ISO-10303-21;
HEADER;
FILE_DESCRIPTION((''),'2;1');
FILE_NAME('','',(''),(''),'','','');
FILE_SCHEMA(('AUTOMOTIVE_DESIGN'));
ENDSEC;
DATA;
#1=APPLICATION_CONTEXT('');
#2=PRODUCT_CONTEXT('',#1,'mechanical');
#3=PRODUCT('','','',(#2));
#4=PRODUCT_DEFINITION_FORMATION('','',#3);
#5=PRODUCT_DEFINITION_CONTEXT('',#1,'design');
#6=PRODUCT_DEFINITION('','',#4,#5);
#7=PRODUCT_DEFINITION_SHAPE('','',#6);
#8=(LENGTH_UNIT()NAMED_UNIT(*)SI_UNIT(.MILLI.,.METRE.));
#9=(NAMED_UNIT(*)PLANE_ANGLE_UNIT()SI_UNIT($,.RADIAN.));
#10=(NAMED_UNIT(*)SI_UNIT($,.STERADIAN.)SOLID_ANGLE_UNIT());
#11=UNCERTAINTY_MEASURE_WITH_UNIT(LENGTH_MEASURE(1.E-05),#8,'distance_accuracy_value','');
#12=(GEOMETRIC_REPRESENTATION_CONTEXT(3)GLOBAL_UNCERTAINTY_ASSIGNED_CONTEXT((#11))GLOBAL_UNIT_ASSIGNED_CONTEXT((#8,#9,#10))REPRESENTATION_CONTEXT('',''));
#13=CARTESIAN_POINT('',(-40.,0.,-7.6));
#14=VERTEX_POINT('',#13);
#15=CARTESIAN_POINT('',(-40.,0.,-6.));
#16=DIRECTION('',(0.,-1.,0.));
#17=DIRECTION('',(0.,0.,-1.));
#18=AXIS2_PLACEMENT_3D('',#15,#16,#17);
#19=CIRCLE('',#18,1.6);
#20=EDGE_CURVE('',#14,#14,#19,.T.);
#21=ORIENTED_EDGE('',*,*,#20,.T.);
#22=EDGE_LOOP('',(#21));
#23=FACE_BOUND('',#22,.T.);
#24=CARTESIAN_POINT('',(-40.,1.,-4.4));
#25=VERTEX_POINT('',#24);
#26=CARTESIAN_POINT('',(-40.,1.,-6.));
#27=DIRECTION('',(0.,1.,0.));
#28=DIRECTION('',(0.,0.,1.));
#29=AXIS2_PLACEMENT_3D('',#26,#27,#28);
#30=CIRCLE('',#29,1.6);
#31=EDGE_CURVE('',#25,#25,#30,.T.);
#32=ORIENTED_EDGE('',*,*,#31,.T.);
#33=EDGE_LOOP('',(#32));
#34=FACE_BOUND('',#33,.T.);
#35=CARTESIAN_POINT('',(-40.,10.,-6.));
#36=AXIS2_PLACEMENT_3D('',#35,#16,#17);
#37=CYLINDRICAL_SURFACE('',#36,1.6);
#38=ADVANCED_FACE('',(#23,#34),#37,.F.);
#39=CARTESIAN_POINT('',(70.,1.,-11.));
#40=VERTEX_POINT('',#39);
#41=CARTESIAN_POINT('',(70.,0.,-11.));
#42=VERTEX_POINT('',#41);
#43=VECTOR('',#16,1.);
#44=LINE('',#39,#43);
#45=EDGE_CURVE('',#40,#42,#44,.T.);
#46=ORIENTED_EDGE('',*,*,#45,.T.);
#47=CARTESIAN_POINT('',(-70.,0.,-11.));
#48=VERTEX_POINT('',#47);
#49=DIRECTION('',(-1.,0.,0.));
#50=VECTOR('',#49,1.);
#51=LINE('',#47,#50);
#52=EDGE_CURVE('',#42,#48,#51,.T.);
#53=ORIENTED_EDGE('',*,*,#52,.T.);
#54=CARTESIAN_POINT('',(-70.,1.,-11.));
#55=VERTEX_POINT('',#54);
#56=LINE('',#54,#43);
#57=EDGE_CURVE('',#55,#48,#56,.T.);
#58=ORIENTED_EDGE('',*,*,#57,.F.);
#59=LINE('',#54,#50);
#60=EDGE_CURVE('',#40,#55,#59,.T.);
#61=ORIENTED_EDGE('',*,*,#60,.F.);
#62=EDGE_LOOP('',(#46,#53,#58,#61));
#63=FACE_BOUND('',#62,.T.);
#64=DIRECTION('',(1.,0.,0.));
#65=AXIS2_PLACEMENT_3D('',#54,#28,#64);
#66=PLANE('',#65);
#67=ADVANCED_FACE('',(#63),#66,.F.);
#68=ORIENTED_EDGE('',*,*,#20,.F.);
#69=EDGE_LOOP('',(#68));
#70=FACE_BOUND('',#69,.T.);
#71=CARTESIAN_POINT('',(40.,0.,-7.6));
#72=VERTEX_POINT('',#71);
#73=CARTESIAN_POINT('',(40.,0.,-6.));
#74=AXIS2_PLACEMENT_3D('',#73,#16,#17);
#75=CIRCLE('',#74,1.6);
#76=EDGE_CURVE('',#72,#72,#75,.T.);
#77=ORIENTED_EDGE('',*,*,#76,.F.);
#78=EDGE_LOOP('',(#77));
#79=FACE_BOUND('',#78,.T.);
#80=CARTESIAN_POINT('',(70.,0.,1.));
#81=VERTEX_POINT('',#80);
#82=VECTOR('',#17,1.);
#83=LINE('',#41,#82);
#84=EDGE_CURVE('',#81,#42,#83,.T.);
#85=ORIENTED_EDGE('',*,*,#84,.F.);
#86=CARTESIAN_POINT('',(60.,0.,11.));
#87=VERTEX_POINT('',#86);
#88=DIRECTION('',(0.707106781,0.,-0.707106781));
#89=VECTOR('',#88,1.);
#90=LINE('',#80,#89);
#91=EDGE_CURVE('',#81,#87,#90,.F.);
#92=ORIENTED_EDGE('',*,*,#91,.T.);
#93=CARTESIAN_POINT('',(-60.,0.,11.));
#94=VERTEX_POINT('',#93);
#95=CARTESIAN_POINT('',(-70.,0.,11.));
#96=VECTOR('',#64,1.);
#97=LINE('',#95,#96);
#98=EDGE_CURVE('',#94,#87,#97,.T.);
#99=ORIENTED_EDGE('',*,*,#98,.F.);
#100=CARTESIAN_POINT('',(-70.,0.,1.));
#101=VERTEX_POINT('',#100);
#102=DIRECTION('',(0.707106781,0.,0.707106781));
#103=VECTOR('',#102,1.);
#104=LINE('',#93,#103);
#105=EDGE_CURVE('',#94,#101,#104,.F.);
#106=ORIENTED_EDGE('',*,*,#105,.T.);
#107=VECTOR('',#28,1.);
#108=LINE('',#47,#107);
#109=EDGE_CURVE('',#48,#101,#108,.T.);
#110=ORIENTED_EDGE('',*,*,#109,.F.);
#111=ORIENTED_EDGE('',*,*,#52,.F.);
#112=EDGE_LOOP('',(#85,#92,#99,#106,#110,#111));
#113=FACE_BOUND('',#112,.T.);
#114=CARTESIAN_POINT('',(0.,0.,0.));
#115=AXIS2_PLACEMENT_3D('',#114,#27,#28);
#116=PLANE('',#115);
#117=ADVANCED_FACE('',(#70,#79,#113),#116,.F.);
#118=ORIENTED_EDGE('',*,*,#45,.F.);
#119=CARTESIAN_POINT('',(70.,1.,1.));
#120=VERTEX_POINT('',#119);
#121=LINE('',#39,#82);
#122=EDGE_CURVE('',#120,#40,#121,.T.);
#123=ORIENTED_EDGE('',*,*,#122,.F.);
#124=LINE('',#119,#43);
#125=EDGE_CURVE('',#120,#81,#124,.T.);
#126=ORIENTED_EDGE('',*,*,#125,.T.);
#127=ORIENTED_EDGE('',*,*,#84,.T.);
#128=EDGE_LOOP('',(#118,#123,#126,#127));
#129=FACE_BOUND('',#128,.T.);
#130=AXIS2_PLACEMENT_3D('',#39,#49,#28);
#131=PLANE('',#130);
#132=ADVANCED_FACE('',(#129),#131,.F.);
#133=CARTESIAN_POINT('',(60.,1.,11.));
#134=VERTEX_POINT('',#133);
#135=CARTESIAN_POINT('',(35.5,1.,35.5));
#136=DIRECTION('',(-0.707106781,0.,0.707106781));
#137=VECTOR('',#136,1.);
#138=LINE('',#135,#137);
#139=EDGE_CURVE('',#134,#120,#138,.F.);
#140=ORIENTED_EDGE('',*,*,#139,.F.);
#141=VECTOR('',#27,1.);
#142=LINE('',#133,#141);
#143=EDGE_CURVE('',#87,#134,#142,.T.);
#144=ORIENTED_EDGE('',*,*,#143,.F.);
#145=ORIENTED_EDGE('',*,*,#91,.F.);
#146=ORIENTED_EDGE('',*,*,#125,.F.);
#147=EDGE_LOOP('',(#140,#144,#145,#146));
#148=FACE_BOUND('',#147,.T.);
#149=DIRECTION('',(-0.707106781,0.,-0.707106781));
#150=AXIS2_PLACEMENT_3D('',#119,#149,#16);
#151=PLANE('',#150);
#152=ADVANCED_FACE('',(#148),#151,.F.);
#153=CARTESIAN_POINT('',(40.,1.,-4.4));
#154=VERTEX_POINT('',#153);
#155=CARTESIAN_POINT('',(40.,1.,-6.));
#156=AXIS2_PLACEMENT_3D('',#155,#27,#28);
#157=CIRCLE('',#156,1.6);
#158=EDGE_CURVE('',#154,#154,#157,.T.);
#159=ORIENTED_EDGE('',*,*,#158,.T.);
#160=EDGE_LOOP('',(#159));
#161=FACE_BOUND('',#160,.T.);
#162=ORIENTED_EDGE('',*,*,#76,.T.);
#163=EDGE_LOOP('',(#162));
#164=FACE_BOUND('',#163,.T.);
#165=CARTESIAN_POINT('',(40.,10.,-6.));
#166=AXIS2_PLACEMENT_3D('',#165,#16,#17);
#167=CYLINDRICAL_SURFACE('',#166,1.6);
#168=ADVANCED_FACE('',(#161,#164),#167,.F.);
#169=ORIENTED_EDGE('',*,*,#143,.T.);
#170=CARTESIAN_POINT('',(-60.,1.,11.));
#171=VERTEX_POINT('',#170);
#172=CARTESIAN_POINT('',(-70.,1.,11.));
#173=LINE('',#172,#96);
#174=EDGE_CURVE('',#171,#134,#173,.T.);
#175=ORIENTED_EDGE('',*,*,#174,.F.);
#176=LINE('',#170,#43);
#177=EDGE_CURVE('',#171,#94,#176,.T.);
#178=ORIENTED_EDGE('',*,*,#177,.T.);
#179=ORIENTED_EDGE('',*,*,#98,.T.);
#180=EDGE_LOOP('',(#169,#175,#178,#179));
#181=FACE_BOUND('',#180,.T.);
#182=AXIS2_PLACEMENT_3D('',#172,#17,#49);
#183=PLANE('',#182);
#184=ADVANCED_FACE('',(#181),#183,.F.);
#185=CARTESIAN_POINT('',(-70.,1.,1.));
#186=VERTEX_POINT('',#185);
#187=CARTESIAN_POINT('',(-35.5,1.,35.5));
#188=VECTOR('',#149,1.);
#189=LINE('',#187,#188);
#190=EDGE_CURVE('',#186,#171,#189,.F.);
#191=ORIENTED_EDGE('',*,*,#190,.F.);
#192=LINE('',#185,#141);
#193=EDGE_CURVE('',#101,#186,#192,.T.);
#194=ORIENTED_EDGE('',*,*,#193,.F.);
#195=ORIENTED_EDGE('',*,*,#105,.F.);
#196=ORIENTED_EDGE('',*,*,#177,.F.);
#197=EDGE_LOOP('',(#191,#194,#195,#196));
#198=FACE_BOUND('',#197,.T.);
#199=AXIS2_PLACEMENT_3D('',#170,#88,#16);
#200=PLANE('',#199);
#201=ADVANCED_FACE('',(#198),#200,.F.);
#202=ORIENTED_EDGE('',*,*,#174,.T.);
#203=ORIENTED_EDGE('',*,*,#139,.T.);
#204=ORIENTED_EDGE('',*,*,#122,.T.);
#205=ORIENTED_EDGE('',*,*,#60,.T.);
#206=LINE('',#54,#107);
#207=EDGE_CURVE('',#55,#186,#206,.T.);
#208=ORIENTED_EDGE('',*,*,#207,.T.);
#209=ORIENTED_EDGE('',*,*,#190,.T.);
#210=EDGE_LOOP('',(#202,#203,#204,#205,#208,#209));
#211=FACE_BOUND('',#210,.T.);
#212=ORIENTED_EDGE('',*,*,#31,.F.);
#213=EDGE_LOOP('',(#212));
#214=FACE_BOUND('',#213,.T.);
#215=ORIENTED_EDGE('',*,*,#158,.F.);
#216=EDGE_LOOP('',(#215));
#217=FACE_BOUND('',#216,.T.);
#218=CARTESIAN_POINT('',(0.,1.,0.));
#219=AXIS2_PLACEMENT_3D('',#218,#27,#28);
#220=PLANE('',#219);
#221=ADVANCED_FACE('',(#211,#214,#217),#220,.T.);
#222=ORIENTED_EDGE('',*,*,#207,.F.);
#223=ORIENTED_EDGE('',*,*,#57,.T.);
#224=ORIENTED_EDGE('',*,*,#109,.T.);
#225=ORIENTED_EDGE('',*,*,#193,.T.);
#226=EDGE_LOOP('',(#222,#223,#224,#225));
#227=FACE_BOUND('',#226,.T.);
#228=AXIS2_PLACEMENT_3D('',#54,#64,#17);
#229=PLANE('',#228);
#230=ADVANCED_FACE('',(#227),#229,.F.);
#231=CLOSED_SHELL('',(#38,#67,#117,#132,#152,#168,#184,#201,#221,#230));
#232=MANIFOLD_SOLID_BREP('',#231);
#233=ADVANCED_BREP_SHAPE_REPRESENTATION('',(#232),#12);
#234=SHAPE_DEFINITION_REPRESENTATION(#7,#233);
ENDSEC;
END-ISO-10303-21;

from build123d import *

# Parameters (mm, degrees)
SKETCH_1_W          = 140
SKETCH_1_H          = 22
EXTRUDE_1_DEPTH     = 1
SKETCH_2_R          = 1.6
CUT_EXTRUDE_1_DEPTH = 10
CHAMFER_1_SIZE      = 10


with BuildPart() as part:
    # 草图1 → 凸台-拉伸1 (new body)
    with BuildSketch(Plane(origin=(0, 0, 0), x_dir=(1, 0, 0), z_dir=(0, 1, 0))):
        Rectangle(SKETCH_1_W, SKETCH_1_H)
    extrude(amount=EXTRUDE_1_DEPTH)

    # 草图2 → 切除-拉伸1 (cut)
    with BuildSketch(Plane.XZ):
        with Locations(Location((40, -6, 0), (0, 0, 270))):
            Circle(SKETCH_2_R)
        with Locations(Location((-40, -6, 0), (0, 0, 270))):
            Circle(SKETCH_2_R)
    extrude(amount=-CUT_EXTRUDE_1_DEPTH, mode=Mode.SUBTRACT)

    # 倒角1
    chamfer_1_edges = [part.edges().sort_by_distance(p)[0] for p in [
        (70, 0.5, 11),
        (-70, 0.5, 11),
    ]]
    chamfer(chamfer_1_edges, length=CHAMFER_1_SIZE)


solid = part.part
